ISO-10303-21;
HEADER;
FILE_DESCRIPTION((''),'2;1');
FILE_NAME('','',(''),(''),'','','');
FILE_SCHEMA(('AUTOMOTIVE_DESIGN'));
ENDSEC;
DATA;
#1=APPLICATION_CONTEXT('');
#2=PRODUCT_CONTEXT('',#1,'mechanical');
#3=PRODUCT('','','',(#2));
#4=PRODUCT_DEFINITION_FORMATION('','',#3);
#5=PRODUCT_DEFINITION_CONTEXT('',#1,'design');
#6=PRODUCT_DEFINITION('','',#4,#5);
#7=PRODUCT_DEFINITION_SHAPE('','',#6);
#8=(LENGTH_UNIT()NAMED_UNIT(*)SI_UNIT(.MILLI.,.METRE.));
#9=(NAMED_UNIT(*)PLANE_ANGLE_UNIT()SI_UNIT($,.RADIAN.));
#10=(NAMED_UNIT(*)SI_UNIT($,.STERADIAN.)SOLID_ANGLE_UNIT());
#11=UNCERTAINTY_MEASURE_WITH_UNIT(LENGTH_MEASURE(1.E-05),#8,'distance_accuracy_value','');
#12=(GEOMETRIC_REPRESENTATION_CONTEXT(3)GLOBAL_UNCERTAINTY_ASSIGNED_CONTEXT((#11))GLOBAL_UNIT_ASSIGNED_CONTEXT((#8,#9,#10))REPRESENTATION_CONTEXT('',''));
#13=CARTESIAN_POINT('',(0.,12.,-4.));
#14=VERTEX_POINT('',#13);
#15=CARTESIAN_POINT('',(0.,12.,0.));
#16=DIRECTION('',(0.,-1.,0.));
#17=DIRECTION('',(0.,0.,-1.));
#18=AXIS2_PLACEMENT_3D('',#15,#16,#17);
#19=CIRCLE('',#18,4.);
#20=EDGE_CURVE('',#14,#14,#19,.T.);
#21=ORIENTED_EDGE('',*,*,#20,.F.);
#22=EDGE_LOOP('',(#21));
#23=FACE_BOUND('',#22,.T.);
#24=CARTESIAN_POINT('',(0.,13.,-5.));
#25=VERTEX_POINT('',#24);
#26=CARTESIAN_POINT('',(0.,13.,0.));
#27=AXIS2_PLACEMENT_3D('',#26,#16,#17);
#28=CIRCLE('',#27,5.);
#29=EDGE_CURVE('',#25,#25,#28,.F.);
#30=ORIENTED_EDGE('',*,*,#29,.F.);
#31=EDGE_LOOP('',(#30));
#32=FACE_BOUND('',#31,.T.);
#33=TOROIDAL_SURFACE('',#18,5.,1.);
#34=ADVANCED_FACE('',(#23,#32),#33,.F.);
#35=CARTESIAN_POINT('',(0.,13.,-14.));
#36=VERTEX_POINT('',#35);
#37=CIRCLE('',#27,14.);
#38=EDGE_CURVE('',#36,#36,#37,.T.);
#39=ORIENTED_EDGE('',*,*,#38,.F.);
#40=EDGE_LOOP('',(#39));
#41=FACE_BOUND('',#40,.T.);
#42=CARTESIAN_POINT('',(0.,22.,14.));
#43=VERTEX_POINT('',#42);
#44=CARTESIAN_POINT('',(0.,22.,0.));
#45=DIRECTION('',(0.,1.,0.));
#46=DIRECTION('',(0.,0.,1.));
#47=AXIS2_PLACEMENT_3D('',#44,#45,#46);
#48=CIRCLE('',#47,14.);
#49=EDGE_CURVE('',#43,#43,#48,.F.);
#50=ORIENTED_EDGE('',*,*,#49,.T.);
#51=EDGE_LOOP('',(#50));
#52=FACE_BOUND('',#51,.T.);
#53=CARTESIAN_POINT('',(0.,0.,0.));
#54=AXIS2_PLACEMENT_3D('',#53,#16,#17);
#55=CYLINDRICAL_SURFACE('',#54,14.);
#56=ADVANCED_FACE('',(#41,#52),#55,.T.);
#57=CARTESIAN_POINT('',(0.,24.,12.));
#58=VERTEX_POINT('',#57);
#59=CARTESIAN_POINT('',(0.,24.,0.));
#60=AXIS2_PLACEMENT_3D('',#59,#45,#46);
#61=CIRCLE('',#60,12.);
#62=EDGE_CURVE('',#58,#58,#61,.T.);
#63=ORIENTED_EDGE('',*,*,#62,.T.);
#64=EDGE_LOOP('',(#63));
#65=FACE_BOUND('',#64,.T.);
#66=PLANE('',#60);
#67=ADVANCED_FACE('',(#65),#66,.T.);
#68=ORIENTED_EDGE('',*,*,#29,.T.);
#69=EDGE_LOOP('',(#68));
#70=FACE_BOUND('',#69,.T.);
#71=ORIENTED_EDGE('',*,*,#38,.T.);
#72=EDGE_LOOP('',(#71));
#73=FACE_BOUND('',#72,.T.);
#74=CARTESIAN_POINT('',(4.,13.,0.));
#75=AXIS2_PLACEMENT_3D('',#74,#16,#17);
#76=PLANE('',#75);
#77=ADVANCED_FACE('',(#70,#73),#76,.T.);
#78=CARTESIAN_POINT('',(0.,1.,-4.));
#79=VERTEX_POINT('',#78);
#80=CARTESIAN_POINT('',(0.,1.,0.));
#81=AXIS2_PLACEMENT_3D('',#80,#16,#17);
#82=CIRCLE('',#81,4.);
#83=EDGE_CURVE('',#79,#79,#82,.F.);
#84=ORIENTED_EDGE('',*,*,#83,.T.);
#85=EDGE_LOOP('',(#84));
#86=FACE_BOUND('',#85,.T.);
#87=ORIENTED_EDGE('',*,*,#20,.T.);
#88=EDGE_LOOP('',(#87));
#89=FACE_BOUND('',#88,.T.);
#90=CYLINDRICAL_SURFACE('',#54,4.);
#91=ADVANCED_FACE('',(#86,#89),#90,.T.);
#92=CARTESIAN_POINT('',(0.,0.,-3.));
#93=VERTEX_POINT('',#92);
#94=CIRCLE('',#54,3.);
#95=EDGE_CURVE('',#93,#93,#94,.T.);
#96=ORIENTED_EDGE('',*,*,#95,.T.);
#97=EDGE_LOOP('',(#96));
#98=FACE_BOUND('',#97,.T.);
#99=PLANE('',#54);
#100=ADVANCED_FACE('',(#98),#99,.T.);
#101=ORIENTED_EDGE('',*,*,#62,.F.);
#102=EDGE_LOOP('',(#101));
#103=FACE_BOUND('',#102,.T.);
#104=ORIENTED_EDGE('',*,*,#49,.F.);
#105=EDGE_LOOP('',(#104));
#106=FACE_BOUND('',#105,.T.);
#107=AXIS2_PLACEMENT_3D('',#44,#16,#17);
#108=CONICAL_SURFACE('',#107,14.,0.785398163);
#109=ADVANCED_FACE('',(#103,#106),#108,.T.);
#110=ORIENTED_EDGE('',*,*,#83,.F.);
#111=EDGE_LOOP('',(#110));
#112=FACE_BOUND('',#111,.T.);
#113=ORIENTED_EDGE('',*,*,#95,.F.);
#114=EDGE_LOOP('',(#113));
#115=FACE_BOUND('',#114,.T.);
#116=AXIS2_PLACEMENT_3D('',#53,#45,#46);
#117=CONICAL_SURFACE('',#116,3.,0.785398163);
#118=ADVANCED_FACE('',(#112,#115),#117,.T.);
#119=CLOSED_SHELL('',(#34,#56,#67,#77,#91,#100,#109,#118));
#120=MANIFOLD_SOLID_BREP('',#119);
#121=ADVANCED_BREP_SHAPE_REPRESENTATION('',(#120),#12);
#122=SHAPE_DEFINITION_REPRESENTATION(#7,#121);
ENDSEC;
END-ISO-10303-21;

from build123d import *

# Parameters (mm, degrees)
FILLET1_R     = 1
CHAMFER1_SIZE = 2
CHAMFER2_SIZE = 1


with BuildPart() as part:
    # Sketch1 → Revolve1 (revolve)
    with BuildSketch(Plane.XY, mode=Mode.PRIVATE) as revolve1_sk:
        Polygon((0, 0), (0, 24), (14, 24), (14, 13), (4, 13), (4, 0), align=None)
    revolve(revolve1_sk.sketch.rotate(Axis((0, 0, 0), (0, 1, 0)), 90), axis=Axis((0, 0, 0), (0, 1, 0)))

    # Fillet1
    fillet1_edges = [part.edges().sort_by_distance(p)[0] for p in [
        (0, 13, 4),
    ]]
    fillet(fillet1_edges, radius=FILLET1_R)

    # Chamfer1
    chamfer1_edges = [part.edges().sort_by_distance(p)[0] for p in [
        (0, 24, 14),
    ]]
    chamfer(chamfer1_edges, length=CHAMFER1_SIZE)

    # Chamfer2
    chamfer2_edges = [part.edges().sort_by_distance(p)[0] for p in [
        (0, 0, 4),
    ]]
    chamfer(chamfer2_edges, length=CHAMFER2_SIZE)


solid = part.part
